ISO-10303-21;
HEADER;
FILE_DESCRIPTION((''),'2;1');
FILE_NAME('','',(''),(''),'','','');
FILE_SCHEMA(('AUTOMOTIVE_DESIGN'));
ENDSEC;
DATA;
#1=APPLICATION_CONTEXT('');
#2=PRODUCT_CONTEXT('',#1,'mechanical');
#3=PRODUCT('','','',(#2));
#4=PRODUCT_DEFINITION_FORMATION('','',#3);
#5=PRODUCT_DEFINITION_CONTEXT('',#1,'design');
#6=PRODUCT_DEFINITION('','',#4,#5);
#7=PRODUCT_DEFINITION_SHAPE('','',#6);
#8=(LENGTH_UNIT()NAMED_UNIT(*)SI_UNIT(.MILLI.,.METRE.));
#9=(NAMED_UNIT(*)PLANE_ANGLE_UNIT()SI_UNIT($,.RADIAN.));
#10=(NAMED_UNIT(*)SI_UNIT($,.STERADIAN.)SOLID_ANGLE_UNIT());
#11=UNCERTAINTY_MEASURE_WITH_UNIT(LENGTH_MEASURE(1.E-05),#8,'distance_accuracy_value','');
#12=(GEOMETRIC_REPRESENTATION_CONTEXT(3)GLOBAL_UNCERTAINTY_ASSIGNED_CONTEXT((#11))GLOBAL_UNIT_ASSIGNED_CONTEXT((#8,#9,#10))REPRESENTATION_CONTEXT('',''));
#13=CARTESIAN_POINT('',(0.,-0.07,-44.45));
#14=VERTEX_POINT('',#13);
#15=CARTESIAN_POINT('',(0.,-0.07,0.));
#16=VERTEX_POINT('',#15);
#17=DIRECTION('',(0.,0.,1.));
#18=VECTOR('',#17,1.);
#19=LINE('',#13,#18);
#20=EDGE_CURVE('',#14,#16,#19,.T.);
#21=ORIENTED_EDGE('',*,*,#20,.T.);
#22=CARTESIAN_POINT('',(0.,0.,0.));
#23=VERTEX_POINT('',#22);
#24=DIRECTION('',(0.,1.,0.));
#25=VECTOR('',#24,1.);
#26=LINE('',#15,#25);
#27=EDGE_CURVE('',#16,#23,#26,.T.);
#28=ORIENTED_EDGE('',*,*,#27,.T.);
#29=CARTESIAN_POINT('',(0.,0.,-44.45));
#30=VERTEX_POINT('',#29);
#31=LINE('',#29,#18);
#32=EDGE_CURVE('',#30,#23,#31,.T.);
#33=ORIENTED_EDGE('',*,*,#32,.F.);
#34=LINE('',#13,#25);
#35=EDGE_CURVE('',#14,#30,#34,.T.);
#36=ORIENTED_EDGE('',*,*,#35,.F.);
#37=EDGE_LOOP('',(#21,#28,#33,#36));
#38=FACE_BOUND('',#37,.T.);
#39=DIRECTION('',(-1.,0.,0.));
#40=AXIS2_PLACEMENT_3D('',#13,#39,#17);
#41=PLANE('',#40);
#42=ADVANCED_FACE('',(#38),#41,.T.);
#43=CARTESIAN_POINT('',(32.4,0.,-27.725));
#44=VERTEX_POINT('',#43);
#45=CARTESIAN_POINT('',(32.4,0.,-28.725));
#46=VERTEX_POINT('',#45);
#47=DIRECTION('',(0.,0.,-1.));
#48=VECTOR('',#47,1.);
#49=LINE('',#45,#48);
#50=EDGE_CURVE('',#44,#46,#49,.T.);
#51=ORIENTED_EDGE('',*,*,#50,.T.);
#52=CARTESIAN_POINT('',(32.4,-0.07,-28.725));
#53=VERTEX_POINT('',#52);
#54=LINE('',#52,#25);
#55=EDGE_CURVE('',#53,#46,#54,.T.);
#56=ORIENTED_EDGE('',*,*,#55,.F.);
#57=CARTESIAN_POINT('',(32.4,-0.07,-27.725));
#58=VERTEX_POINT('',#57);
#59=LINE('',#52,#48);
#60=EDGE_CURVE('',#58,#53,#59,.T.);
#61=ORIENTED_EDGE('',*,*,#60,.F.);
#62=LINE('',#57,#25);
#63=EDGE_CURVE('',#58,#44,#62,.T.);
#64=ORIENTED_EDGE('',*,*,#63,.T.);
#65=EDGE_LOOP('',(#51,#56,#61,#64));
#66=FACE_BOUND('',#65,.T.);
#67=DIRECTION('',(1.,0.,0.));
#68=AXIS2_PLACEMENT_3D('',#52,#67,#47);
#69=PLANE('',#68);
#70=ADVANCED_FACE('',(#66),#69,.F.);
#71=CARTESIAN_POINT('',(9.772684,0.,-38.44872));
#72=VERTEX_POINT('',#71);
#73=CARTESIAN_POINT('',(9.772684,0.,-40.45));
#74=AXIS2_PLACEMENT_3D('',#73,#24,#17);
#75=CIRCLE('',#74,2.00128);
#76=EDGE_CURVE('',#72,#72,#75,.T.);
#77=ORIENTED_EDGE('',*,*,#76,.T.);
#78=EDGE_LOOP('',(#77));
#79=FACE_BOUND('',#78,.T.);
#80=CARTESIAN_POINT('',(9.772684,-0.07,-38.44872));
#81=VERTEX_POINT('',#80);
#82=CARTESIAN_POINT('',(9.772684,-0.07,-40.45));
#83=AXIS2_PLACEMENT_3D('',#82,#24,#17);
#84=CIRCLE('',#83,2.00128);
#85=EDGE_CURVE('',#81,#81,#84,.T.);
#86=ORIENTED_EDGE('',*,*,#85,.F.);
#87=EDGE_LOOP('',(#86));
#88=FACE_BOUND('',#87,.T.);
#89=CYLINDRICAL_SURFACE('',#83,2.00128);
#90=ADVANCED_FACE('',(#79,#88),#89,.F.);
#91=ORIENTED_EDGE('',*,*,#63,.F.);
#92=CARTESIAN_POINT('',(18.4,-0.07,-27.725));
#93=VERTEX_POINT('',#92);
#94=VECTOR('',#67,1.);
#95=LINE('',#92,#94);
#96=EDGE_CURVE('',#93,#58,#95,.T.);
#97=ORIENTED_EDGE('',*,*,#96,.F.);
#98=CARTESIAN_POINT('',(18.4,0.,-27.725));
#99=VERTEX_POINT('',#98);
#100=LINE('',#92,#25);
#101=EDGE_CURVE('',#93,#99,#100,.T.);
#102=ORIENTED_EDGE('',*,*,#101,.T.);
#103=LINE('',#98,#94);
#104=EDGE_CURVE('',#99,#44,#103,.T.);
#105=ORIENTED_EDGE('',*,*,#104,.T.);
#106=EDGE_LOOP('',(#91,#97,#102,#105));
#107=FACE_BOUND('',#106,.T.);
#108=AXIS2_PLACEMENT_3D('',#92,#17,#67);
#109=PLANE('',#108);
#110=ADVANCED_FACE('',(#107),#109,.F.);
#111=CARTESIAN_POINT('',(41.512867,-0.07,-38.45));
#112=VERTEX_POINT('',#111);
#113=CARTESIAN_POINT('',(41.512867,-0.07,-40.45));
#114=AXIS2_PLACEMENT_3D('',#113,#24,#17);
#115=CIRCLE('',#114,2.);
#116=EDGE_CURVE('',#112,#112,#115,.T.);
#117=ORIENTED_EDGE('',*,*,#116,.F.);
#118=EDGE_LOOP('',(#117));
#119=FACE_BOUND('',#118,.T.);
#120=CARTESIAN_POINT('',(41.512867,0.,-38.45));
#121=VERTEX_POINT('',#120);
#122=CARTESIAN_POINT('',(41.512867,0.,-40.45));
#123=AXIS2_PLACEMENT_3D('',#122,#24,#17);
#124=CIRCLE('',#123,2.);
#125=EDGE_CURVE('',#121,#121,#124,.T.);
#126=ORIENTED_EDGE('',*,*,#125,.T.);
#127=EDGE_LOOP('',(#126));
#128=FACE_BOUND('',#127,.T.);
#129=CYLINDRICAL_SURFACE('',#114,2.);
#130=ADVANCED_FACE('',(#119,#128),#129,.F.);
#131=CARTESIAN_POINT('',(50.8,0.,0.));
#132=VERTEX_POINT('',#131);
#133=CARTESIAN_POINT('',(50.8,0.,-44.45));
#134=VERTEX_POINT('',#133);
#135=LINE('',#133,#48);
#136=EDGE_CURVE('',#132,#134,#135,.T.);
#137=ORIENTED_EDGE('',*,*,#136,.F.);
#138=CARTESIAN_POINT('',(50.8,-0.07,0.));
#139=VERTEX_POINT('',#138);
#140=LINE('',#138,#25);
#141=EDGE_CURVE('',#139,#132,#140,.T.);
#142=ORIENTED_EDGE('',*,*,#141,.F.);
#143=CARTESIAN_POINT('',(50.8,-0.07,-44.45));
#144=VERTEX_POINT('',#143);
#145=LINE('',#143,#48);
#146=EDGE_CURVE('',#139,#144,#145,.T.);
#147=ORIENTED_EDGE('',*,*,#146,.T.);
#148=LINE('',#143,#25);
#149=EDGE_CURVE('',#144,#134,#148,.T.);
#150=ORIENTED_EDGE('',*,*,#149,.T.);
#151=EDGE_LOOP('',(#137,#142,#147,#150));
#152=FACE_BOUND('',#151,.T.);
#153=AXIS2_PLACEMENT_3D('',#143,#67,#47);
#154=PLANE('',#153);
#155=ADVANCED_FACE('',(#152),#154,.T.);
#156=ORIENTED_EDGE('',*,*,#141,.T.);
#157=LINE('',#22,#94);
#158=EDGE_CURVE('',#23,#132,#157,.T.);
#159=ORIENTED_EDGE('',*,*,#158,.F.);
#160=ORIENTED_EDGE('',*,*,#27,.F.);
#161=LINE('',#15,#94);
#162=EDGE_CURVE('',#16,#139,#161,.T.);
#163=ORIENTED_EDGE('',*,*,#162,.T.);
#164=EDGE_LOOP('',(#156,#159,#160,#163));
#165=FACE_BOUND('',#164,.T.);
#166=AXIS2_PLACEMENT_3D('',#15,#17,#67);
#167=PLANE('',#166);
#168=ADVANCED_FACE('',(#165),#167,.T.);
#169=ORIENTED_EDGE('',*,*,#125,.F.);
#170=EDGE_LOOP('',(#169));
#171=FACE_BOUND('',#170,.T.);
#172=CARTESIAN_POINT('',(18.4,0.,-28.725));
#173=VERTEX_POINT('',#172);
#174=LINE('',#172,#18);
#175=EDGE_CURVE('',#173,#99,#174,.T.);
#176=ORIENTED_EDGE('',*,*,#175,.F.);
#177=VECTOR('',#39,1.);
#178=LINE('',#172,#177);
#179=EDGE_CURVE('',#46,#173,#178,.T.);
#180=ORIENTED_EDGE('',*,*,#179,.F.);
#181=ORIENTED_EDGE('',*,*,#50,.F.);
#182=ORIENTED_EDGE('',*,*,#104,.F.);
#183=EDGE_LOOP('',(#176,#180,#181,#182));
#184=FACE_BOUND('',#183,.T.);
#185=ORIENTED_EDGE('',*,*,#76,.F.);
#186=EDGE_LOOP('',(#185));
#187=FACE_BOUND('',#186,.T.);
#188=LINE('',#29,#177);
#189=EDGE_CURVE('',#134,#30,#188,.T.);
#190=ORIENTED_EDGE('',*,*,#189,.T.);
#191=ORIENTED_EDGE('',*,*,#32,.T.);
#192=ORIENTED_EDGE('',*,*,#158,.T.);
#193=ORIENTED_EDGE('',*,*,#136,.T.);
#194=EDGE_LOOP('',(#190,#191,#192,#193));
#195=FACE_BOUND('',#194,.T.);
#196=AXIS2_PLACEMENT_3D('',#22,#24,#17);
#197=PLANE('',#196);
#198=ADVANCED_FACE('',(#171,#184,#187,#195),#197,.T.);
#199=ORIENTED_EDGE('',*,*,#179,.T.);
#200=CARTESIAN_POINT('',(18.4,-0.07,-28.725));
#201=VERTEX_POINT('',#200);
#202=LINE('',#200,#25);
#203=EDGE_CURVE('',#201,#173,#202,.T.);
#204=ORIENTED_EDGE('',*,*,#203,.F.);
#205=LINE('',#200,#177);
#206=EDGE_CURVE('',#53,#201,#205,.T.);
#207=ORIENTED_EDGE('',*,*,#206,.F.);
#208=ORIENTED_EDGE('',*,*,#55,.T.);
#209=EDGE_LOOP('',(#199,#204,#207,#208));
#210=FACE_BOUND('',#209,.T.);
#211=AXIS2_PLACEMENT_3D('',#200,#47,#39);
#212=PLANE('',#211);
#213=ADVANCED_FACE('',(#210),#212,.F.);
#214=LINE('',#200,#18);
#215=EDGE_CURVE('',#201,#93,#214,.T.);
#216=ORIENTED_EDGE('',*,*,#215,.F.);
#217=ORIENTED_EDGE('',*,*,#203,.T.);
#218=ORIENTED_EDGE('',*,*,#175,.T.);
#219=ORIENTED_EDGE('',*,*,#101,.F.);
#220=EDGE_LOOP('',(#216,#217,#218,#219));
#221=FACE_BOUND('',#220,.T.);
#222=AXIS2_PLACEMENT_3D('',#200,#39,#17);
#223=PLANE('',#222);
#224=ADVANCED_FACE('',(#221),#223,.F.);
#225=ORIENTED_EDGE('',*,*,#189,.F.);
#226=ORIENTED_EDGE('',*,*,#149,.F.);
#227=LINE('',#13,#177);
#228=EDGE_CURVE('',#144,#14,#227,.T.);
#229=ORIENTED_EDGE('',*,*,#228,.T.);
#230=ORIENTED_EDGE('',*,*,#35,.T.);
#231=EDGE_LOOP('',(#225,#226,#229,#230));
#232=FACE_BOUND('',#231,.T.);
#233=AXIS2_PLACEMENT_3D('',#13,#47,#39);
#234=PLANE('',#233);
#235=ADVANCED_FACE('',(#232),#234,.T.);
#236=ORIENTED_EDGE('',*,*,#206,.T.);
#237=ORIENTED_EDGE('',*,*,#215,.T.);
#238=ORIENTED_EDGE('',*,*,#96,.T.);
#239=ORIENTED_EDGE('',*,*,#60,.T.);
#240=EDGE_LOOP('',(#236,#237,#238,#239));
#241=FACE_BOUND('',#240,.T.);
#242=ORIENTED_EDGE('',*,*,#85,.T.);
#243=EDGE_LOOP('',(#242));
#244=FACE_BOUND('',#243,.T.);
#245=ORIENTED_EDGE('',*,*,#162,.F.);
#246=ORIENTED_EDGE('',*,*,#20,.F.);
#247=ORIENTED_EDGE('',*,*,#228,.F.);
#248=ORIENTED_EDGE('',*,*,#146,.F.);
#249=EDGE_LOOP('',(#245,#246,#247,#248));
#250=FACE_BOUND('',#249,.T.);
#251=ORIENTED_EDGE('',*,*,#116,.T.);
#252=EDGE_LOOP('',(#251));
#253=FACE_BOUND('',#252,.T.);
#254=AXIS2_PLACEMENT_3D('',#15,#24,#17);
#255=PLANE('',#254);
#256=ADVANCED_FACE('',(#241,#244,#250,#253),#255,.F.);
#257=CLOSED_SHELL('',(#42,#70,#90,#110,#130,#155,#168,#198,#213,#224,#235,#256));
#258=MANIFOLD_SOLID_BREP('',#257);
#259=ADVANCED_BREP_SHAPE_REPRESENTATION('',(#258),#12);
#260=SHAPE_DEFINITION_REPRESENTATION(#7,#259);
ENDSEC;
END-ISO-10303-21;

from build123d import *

# Parameters (mm, degrees)
SKETCH2_W           = 50.8
SKETCH2_H           = 44.45
SKETCH2_R           = 2.001280135
SKETCH2_R_2         = 2
SKETCH2_W_2         = 14
SKETCH2_H_2         = 1
BOSS_EXTRUDE3_DEPTH = 0.07


with BuildPart() as part:
    # Sketch2 → Boss-Extrude3 (new body)
    with BuildSketch(Plane(origin=(0, 0, 0), x_dir=(1, 0, 0), z_dir=(0, 1, 0))):
        with Locations((25.4, 22.225)):
            Rectangle(SKETCH2_W, SKETCH2_H)
        with Locations((9.772683783, 40.45)):
            Circle(SKETCH2_R, mode=Mode.SUBTRACT)
        with Locations((41.512867403, 40.45)):
            Circle(SKETCH2_R_2, mode=Mode.SUBTRACT)
        with Locations((25.4, 28.225)):
            Rectangle(SKETCH2_W_2, SKETCH2_H_2, mode=Mode.SUBTRACT)
    extrude(amount=-BOSS_EXTRUDE3_DEPTH)


solid = part.part
